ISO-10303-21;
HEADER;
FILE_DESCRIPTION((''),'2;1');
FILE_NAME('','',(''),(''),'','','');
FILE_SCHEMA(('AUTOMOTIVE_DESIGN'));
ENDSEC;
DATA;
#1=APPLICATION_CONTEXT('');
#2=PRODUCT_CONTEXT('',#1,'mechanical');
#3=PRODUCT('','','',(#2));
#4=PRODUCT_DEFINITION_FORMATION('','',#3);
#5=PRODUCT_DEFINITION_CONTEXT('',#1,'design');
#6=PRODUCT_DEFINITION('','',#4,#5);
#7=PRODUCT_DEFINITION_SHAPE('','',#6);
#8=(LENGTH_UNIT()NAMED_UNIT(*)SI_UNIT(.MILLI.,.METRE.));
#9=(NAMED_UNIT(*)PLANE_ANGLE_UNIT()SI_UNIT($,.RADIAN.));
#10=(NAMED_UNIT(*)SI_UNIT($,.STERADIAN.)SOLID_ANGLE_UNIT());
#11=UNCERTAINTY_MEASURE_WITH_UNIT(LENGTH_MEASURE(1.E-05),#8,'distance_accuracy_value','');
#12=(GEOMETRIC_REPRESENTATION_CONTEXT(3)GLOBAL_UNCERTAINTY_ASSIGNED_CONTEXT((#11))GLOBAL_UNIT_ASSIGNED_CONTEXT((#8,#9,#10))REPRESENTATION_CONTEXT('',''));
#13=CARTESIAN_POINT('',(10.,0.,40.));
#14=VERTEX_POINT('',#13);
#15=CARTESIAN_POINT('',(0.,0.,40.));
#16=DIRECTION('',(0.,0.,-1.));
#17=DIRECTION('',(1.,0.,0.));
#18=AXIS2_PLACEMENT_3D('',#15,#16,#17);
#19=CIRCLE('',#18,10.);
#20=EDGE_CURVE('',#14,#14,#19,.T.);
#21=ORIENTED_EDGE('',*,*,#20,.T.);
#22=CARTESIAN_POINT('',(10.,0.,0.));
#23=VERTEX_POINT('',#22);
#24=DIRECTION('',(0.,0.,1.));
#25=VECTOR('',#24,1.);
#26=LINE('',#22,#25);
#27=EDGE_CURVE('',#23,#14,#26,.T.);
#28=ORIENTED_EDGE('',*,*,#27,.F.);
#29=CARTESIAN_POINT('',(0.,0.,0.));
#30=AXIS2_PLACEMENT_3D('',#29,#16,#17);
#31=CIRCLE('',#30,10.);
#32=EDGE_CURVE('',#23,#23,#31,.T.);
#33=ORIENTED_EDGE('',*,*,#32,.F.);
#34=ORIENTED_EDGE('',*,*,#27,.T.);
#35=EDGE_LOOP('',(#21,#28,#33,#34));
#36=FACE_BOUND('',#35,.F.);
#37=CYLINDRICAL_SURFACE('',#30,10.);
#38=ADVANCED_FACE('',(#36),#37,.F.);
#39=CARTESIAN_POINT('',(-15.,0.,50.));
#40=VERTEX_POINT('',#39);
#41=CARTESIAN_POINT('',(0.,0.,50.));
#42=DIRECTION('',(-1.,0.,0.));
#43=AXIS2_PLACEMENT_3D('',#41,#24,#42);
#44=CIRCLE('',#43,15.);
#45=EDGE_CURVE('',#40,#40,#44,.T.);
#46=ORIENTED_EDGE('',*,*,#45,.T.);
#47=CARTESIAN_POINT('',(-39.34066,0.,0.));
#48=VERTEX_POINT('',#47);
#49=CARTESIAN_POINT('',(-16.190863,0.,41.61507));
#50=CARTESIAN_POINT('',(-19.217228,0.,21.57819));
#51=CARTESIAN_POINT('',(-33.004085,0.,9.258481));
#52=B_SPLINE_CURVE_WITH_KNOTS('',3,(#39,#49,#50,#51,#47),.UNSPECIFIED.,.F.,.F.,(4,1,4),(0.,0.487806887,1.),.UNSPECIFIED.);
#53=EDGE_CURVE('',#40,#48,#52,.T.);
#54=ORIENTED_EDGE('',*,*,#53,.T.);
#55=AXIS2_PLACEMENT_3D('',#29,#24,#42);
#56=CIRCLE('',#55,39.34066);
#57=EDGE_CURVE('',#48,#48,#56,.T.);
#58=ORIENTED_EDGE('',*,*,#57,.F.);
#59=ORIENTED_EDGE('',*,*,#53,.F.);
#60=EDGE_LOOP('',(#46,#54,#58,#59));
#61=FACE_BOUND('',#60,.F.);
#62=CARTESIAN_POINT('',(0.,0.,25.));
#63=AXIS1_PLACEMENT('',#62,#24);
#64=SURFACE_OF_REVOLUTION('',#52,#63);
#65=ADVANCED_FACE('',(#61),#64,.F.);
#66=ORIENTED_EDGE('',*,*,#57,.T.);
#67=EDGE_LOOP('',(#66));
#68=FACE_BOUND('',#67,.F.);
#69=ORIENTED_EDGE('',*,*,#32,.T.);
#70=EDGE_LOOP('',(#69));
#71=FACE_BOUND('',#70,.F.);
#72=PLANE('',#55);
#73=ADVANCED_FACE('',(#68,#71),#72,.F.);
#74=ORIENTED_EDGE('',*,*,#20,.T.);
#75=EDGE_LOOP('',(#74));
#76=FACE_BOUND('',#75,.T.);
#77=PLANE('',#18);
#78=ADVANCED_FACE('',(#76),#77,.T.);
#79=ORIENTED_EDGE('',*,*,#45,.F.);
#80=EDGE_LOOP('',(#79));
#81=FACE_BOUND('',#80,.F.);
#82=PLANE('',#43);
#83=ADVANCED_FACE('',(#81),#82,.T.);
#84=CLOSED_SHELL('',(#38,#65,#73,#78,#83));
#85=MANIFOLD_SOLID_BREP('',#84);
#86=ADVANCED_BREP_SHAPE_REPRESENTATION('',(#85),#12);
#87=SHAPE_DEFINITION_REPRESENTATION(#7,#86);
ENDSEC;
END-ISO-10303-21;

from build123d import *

# Parameters (mm, degrees)
F2_R     = 10
F3_DEPTH = 40


with BuildPart() as f1:
    # F0 (on Front) → F1 (revolve)
    with BuildSketch(Plane.XZ):
        with BuildLine():
            add(Edge.make_bspline(
                [(-15, 50), (-16.1908632406, 41.6150700931), (-19.2172283884, 21.5781897555), (-33.004084781, 9.2584811498), (-39.3406604347, 0)],
                knots=[0, 0, 0, 0, 0.487806887, 1, 1, 1, 1], degree=3))
            Line((-39.3406604347, 0), (0, 0))
            Line((0, 0), (0, 50))
            Line((0, 50), (-15, 50))
        make_face()
    revolve(axis=Axis((0, 0, 25), (0, 0, 1)))

    # F2 (on face) → F3 (cut)
    with BuildSketch(Plane(origin=(0, 0, 0), x_dir=(1, 0, 0), z_dir=(0, 0, -1))):
        Circle(F2_R)
    extrude(amount=-F3_DEPTH, mode=Mode.SUBTRACT)


solid = f1.part
